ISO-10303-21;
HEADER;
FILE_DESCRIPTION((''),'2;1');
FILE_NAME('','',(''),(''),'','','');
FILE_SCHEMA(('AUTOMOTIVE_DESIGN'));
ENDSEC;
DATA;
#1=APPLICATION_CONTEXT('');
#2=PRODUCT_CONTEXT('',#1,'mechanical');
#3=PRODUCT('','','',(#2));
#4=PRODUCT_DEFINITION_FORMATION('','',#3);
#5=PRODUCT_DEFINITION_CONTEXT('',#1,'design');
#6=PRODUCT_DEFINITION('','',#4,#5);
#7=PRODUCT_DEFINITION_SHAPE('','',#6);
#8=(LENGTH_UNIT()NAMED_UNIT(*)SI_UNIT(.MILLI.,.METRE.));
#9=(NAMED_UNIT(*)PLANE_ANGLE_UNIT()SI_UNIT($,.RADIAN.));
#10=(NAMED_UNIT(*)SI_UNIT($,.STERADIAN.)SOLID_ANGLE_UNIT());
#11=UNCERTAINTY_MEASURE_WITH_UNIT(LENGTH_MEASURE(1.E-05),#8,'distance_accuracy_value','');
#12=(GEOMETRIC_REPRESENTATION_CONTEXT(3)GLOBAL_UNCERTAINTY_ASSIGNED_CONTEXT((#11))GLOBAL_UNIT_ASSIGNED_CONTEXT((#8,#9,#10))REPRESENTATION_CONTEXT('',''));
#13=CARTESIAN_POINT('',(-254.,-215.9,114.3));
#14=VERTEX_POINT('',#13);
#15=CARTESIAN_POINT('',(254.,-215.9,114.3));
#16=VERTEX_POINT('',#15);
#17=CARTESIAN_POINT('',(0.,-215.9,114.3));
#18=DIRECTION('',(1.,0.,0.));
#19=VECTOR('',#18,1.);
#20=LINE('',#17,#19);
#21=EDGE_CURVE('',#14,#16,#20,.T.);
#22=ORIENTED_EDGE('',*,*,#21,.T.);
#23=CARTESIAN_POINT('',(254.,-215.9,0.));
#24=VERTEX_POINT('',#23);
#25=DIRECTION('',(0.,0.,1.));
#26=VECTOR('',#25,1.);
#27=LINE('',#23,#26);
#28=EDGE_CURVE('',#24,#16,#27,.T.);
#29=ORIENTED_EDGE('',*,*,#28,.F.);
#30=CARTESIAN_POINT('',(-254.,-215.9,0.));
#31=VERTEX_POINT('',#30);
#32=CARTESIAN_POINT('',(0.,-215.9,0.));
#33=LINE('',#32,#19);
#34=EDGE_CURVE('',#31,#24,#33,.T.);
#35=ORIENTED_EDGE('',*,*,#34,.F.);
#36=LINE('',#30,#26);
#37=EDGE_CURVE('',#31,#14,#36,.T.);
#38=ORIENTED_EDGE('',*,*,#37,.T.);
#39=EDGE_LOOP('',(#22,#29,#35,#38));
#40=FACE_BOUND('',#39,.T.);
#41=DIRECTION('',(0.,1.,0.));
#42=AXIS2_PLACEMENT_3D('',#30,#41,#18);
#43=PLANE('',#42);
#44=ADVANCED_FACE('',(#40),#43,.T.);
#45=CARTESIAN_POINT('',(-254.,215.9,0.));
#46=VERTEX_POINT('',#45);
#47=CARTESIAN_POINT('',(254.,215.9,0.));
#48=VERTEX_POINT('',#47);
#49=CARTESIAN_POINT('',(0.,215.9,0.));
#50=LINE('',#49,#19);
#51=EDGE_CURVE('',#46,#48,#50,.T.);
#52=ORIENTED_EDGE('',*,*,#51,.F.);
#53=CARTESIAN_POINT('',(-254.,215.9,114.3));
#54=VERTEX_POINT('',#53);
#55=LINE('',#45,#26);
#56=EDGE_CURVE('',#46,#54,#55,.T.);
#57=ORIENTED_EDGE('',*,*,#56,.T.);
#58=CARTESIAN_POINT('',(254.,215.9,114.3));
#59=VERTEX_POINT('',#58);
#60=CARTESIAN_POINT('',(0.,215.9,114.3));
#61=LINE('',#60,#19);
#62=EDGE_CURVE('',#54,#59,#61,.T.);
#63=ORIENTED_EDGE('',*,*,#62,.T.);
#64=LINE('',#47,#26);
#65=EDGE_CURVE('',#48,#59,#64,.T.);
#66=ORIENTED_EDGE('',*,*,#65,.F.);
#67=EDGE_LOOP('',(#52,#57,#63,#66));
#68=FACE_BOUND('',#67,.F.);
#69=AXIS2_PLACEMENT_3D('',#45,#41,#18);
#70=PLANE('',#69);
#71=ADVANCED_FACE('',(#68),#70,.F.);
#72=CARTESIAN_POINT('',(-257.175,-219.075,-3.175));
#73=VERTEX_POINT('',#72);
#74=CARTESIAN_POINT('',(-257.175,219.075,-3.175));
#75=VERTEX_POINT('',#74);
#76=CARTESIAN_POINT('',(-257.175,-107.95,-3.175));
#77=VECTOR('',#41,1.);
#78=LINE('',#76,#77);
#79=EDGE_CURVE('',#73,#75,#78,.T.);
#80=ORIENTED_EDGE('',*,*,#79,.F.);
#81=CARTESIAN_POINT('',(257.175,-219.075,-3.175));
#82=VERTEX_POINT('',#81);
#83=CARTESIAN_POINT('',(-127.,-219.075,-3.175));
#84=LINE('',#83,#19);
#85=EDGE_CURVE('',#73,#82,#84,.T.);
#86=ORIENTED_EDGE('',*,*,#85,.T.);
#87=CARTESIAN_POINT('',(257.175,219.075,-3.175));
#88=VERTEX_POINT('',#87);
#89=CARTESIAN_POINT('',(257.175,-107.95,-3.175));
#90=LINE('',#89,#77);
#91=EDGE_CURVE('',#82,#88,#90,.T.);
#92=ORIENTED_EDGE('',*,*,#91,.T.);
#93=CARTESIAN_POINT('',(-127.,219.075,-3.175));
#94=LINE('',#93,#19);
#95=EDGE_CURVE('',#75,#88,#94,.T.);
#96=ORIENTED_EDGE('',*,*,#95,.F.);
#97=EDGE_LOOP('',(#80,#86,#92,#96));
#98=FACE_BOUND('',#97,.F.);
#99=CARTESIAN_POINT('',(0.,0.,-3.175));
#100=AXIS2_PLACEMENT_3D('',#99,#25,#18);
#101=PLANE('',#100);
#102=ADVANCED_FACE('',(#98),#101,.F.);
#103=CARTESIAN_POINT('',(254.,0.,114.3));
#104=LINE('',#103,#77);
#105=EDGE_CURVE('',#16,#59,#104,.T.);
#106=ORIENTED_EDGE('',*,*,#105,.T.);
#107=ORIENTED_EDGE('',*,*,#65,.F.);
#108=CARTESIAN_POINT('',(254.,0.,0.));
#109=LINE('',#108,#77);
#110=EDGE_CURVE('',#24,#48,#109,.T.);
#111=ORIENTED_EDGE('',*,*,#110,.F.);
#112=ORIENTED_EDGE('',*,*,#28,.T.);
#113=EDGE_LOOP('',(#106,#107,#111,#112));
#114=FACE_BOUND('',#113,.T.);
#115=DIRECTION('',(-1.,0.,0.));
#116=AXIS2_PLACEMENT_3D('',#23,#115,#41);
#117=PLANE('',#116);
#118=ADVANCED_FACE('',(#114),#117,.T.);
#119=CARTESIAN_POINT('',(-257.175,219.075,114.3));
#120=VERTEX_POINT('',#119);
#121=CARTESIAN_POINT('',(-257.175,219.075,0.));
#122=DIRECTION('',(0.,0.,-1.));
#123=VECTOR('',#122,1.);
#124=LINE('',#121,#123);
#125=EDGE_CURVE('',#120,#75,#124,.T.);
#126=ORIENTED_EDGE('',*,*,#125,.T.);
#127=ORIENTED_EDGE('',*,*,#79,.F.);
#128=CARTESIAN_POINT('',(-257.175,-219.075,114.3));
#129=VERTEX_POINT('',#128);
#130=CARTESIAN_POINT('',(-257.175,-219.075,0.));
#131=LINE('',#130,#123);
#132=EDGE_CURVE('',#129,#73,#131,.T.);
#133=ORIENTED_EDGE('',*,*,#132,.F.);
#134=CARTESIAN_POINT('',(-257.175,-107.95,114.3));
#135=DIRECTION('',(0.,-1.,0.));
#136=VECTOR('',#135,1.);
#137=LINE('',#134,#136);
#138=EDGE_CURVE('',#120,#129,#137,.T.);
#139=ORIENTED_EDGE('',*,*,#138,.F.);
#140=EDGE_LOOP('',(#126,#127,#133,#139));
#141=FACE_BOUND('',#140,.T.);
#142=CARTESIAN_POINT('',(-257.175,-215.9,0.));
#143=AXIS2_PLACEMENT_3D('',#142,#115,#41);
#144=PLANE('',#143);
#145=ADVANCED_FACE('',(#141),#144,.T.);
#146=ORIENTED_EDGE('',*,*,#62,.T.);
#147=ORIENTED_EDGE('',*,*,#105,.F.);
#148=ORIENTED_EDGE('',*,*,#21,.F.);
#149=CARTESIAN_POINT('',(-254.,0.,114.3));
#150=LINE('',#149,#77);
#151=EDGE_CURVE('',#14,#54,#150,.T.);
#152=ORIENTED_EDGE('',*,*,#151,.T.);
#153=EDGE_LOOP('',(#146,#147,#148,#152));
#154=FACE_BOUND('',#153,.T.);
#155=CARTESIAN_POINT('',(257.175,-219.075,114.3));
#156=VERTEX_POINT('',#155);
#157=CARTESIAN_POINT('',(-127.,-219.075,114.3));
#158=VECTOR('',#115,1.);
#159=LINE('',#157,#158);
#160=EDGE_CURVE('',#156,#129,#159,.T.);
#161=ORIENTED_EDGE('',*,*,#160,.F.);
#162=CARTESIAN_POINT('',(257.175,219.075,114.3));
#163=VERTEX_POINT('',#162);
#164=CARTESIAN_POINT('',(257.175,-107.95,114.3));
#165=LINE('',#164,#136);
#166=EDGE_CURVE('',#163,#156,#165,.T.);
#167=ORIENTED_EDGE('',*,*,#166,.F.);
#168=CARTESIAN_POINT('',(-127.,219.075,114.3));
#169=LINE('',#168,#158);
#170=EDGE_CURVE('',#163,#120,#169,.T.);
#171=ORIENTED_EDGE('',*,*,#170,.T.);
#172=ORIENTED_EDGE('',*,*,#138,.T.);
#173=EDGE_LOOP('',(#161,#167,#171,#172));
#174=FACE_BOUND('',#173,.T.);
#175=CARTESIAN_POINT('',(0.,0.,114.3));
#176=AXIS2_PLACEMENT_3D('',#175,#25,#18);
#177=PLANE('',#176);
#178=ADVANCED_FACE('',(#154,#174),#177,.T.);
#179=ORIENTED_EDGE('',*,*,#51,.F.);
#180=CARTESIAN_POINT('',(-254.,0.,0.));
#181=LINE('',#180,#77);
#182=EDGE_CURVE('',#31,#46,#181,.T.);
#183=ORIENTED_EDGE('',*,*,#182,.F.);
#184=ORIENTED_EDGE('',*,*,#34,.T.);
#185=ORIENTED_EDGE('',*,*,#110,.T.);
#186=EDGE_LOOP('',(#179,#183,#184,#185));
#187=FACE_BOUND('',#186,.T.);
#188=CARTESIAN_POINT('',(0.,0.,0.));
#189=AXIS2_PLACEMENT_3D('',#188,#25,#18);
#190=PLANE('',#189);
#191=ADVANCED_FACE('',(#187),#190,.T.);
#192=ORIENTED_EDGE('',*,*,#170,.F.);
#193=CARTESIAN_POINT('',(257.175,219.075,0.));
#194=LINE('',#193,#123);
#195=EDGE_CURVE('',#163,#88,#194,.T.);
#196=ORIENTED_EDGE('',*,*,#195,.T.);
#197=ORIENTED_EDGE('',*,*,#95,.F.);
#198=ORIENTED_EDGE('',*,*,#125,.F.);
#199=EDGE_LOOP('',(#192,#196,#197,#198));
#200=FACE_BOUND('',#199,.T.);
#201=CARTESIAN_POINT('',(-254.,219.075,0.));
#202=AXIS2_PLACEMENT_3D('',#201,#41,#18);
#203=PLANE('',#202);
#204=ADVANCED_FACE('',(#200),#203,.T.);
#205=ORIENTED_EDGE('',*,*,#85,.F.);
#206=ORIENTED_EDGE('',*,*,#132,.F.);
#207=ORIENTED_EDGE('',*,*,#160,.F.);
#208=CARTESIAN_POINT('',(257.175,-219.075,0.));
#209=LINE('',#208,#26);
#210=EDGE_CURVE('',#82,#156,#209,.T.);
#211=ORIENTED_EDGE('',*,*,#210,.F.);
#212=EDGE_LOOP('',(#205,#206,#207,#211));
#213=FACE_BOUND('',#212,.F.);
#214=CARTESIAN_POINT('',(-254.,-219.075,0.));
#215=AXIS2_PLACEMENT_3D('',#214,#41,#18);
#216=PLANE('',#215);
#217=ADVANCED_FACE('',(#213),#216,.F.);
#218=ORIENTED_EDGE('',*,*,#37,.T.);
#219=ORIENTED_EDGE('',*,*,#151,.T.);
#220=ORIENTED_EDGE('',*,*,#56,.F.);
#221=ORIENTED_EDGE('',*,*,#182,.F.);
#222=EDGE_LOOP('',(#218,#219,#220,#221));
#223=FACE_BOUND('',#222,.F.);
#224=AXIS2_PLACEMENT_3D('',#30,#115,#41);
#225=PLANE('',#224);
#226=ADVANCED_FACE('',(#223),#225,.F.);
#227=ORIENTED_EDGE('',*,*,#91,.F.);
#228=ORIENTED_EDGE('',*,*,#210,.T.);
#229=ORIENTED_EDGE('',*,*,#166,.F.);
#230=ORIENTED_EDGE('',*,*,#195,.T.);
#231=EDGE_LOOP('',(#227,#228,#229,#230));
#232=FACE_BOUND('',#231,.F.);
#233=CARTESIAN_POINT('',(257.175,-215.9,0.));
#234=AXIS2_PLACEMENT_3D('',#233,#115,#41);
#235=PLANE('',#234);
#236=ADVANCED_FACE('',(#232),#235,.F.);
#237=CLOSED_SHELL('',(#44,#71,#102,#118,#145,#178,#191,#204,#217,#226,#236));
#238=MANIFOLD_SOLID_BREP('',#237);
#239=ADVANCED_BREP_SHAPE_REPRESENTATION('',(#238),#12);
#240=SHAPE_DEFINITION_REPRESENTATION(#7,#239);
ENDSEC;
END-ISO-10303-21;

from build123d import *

# Parameters (mm, degrees)
F0_W     = 508
F0_H     = 431.8
F1_DEPTH = 114.3
F2_T     = 3.175


with BuildPart() as f1:
    # F0 (on Top) → F1 (new body)
    with BuildSketch(Plane.XY):
        Rectangle(F0_W, F0_H)
    extrude(amount=F1_DEPTH)

    # F2
    f2_openings = [f1.faces().sort_by_distance(p)[0] for p in [
        (0, 0, 114.3),
    ]]
    offset(amount=F2_T, openings=f2_openings, kind=Kind.INTERSECTION)


solid = f1.part
